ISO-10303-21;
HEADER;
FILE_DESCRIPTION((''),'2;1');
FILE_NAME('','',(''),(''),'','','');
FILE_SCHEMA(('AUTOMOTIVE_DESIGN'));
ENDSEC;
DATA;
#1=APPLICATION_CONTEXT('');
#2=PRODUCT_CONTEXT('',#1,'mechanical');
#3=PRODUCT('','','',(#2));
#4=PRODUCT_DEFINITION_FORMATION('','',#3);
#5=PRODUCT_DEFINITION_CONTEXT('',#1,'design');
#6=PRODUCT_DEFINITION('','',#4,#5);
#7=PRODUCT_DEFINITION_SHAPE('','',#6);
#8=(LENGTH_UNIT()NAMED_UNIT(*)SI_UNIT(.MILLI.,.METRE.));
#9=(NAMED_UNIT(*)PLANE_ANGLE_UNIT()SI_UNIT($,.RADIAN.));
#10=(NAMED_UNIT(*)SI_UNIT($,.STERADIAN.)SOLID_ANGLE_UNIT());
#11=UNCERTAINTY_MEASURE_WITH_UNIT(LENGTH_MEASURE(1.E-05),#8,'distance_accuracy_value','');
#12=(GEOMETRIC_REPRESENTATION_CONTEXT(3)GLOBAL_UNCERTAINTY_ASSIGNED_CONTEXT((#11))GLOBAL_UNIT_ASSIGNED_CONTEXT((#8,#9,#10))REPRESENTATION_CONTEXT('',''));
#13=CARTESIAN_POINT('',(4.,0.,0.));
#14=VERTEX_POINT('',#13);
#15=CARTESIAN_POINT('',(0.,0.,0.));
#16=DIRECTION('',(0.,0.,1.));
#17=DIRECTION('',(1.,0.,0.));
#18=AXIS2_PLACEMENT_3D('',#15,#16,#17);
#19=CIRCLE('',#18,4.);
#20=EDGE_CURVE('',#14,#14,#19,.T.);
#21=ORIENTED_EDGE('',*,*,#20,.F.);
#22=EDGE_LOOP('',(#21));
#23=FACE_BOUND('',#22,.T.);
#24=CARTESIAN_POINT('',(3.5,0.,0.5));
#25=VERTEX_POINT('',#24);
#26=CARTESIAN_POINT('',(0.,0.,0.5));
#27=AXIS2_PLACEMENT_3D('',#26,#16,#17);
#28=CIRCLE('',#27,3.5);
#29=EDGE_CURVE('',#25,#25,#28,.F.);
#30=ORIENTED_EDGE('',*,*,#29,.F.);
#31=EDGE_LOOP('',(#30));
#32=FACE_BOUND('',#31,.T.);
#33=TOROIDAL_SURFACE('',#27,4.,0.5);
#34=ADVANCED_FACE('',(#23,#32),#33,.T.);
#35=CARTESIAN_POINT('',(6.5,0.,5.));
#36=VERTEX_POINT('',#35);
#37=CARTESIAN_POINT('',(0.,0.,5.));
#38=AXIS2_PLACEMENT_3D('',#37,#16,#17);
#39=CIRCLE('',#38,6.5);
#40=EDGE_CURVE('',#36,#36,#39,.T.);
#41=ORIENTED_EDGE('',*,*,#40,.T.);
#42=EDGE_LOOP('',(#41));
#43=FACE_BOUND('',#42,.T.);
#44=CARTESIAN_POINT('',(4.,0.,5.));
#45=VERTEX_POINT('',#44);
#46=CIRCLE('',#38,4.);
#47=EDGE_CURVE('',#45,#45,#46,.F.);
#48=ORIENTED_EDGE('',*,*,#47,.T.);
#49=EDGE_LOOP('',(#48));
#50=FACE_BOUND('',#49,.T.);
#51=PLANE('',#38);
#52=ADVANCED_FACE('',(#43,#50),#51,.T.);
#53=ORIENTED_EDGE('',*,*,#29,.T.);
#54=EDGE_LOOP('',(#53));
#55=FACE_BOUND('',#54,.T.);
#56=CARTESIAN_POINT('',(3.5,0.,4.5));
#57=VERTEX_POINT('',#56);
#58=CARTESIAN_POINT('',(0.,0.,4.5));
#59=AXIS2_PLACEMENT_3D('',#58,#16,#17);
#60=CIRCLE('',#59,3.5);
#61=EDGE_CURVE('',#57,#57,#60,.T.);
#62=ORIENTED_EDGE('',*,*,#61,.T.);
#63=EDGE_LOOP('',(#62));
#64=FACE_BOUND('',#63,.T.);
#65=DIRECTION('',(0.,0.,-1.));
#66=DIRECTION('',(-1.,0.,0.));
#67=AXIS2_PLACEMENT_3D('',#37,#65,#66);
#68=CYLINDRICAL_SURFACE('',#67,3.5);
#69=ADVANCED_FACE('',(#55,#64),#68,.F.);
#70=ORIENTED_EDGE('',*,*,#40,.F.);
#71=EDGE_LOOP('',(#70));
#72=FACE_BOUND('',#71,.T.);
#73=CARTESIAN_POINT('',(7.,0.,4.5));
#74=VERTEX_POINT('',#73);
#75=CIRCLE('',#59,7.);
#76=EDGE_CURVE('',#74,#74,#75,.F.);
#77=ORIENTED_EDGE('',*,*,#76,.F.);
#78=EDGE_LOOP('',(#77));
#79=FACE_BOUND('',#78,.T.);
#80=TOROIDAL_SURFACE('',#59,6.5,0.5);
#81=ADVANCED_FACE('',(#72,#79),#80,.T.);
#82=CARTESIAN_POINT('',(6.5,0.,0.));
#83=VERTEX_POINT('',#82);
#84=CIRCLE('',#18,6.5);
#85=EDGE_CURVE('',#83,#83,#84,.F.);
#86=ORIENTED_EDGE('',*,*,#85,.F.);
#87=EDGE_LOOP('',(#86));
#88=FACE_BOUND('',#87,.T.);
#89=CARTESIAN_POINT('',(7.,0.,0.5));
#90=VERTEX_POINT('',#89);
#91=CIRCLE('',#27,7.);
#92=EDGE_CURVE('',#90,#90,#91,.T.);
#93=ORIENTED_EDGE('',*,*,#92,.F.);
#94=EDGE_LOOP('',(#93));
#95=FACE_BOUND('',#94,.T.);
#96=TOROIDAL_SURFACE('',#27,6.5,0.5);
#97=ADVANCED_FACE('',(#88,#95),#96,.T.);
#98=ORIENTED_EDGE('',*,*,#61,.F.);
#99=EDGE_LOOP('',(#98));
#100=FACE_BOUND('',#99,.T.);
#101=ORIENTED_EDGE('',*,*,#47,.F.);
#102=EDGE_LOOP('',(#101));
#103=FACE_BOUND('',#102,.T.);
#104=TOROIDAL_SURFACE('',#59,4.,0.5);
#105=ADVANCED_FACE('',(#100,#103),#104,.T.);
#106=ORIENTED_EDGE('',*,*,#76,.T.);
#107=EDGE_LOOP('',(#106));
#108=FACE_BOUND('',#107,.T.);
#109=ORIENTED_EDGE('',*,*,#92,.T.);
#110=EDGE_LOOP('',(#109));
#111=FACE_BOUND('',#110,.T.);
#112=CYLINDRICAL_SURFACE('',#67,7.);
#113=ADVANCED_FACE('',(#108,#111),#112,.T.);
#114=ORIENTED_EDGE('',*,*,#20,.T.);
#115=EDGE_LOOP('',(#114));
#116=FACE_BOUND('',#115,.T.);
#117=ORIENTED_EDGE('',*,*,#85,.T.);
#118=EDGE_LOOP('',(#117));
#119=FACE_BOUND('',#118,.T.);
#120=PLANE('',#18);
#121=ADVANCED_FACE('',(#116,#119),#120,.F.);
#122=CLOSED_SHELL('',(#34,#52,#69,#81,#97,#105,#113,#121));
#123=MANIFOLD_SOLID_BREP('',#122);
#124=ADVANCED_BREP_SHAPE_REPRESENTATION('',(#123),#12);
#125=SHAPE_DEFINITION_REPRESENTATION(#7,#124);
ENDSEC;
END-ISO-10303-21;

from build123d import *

# Parameters (mm, degrees)
ESQUISSE1_R        = 7
ESQUISSE1_R_2      = 3.5
BOSS_EXTRU_1_DEPTH = 5
CONG_1_R           = 0.5


with BuildPart() as part:
    # Esquisse1 → Boss.-Extru.1 (new body)
    with BuildSketch(Plane.XY):
        Circle(ESQUISSE1_R)
        Circle(ESQUISSE1_R_2, mode=Mode.SUBTRACT)
    extrude(amount=BOSS_EXTRU_1_DEPTH)

    # Congé1
    cong_1_edges = [part.edges().sort_by_distance(p)[0] for p in [
        (-7, 0, 0),
        (-7, 0, 5),
        (-3.5, 0, 0),
        (-3.5, 0, 5),
    ]]
    fillet(cong_1_edges, radius=CONG_1_R)


solid = part.part
